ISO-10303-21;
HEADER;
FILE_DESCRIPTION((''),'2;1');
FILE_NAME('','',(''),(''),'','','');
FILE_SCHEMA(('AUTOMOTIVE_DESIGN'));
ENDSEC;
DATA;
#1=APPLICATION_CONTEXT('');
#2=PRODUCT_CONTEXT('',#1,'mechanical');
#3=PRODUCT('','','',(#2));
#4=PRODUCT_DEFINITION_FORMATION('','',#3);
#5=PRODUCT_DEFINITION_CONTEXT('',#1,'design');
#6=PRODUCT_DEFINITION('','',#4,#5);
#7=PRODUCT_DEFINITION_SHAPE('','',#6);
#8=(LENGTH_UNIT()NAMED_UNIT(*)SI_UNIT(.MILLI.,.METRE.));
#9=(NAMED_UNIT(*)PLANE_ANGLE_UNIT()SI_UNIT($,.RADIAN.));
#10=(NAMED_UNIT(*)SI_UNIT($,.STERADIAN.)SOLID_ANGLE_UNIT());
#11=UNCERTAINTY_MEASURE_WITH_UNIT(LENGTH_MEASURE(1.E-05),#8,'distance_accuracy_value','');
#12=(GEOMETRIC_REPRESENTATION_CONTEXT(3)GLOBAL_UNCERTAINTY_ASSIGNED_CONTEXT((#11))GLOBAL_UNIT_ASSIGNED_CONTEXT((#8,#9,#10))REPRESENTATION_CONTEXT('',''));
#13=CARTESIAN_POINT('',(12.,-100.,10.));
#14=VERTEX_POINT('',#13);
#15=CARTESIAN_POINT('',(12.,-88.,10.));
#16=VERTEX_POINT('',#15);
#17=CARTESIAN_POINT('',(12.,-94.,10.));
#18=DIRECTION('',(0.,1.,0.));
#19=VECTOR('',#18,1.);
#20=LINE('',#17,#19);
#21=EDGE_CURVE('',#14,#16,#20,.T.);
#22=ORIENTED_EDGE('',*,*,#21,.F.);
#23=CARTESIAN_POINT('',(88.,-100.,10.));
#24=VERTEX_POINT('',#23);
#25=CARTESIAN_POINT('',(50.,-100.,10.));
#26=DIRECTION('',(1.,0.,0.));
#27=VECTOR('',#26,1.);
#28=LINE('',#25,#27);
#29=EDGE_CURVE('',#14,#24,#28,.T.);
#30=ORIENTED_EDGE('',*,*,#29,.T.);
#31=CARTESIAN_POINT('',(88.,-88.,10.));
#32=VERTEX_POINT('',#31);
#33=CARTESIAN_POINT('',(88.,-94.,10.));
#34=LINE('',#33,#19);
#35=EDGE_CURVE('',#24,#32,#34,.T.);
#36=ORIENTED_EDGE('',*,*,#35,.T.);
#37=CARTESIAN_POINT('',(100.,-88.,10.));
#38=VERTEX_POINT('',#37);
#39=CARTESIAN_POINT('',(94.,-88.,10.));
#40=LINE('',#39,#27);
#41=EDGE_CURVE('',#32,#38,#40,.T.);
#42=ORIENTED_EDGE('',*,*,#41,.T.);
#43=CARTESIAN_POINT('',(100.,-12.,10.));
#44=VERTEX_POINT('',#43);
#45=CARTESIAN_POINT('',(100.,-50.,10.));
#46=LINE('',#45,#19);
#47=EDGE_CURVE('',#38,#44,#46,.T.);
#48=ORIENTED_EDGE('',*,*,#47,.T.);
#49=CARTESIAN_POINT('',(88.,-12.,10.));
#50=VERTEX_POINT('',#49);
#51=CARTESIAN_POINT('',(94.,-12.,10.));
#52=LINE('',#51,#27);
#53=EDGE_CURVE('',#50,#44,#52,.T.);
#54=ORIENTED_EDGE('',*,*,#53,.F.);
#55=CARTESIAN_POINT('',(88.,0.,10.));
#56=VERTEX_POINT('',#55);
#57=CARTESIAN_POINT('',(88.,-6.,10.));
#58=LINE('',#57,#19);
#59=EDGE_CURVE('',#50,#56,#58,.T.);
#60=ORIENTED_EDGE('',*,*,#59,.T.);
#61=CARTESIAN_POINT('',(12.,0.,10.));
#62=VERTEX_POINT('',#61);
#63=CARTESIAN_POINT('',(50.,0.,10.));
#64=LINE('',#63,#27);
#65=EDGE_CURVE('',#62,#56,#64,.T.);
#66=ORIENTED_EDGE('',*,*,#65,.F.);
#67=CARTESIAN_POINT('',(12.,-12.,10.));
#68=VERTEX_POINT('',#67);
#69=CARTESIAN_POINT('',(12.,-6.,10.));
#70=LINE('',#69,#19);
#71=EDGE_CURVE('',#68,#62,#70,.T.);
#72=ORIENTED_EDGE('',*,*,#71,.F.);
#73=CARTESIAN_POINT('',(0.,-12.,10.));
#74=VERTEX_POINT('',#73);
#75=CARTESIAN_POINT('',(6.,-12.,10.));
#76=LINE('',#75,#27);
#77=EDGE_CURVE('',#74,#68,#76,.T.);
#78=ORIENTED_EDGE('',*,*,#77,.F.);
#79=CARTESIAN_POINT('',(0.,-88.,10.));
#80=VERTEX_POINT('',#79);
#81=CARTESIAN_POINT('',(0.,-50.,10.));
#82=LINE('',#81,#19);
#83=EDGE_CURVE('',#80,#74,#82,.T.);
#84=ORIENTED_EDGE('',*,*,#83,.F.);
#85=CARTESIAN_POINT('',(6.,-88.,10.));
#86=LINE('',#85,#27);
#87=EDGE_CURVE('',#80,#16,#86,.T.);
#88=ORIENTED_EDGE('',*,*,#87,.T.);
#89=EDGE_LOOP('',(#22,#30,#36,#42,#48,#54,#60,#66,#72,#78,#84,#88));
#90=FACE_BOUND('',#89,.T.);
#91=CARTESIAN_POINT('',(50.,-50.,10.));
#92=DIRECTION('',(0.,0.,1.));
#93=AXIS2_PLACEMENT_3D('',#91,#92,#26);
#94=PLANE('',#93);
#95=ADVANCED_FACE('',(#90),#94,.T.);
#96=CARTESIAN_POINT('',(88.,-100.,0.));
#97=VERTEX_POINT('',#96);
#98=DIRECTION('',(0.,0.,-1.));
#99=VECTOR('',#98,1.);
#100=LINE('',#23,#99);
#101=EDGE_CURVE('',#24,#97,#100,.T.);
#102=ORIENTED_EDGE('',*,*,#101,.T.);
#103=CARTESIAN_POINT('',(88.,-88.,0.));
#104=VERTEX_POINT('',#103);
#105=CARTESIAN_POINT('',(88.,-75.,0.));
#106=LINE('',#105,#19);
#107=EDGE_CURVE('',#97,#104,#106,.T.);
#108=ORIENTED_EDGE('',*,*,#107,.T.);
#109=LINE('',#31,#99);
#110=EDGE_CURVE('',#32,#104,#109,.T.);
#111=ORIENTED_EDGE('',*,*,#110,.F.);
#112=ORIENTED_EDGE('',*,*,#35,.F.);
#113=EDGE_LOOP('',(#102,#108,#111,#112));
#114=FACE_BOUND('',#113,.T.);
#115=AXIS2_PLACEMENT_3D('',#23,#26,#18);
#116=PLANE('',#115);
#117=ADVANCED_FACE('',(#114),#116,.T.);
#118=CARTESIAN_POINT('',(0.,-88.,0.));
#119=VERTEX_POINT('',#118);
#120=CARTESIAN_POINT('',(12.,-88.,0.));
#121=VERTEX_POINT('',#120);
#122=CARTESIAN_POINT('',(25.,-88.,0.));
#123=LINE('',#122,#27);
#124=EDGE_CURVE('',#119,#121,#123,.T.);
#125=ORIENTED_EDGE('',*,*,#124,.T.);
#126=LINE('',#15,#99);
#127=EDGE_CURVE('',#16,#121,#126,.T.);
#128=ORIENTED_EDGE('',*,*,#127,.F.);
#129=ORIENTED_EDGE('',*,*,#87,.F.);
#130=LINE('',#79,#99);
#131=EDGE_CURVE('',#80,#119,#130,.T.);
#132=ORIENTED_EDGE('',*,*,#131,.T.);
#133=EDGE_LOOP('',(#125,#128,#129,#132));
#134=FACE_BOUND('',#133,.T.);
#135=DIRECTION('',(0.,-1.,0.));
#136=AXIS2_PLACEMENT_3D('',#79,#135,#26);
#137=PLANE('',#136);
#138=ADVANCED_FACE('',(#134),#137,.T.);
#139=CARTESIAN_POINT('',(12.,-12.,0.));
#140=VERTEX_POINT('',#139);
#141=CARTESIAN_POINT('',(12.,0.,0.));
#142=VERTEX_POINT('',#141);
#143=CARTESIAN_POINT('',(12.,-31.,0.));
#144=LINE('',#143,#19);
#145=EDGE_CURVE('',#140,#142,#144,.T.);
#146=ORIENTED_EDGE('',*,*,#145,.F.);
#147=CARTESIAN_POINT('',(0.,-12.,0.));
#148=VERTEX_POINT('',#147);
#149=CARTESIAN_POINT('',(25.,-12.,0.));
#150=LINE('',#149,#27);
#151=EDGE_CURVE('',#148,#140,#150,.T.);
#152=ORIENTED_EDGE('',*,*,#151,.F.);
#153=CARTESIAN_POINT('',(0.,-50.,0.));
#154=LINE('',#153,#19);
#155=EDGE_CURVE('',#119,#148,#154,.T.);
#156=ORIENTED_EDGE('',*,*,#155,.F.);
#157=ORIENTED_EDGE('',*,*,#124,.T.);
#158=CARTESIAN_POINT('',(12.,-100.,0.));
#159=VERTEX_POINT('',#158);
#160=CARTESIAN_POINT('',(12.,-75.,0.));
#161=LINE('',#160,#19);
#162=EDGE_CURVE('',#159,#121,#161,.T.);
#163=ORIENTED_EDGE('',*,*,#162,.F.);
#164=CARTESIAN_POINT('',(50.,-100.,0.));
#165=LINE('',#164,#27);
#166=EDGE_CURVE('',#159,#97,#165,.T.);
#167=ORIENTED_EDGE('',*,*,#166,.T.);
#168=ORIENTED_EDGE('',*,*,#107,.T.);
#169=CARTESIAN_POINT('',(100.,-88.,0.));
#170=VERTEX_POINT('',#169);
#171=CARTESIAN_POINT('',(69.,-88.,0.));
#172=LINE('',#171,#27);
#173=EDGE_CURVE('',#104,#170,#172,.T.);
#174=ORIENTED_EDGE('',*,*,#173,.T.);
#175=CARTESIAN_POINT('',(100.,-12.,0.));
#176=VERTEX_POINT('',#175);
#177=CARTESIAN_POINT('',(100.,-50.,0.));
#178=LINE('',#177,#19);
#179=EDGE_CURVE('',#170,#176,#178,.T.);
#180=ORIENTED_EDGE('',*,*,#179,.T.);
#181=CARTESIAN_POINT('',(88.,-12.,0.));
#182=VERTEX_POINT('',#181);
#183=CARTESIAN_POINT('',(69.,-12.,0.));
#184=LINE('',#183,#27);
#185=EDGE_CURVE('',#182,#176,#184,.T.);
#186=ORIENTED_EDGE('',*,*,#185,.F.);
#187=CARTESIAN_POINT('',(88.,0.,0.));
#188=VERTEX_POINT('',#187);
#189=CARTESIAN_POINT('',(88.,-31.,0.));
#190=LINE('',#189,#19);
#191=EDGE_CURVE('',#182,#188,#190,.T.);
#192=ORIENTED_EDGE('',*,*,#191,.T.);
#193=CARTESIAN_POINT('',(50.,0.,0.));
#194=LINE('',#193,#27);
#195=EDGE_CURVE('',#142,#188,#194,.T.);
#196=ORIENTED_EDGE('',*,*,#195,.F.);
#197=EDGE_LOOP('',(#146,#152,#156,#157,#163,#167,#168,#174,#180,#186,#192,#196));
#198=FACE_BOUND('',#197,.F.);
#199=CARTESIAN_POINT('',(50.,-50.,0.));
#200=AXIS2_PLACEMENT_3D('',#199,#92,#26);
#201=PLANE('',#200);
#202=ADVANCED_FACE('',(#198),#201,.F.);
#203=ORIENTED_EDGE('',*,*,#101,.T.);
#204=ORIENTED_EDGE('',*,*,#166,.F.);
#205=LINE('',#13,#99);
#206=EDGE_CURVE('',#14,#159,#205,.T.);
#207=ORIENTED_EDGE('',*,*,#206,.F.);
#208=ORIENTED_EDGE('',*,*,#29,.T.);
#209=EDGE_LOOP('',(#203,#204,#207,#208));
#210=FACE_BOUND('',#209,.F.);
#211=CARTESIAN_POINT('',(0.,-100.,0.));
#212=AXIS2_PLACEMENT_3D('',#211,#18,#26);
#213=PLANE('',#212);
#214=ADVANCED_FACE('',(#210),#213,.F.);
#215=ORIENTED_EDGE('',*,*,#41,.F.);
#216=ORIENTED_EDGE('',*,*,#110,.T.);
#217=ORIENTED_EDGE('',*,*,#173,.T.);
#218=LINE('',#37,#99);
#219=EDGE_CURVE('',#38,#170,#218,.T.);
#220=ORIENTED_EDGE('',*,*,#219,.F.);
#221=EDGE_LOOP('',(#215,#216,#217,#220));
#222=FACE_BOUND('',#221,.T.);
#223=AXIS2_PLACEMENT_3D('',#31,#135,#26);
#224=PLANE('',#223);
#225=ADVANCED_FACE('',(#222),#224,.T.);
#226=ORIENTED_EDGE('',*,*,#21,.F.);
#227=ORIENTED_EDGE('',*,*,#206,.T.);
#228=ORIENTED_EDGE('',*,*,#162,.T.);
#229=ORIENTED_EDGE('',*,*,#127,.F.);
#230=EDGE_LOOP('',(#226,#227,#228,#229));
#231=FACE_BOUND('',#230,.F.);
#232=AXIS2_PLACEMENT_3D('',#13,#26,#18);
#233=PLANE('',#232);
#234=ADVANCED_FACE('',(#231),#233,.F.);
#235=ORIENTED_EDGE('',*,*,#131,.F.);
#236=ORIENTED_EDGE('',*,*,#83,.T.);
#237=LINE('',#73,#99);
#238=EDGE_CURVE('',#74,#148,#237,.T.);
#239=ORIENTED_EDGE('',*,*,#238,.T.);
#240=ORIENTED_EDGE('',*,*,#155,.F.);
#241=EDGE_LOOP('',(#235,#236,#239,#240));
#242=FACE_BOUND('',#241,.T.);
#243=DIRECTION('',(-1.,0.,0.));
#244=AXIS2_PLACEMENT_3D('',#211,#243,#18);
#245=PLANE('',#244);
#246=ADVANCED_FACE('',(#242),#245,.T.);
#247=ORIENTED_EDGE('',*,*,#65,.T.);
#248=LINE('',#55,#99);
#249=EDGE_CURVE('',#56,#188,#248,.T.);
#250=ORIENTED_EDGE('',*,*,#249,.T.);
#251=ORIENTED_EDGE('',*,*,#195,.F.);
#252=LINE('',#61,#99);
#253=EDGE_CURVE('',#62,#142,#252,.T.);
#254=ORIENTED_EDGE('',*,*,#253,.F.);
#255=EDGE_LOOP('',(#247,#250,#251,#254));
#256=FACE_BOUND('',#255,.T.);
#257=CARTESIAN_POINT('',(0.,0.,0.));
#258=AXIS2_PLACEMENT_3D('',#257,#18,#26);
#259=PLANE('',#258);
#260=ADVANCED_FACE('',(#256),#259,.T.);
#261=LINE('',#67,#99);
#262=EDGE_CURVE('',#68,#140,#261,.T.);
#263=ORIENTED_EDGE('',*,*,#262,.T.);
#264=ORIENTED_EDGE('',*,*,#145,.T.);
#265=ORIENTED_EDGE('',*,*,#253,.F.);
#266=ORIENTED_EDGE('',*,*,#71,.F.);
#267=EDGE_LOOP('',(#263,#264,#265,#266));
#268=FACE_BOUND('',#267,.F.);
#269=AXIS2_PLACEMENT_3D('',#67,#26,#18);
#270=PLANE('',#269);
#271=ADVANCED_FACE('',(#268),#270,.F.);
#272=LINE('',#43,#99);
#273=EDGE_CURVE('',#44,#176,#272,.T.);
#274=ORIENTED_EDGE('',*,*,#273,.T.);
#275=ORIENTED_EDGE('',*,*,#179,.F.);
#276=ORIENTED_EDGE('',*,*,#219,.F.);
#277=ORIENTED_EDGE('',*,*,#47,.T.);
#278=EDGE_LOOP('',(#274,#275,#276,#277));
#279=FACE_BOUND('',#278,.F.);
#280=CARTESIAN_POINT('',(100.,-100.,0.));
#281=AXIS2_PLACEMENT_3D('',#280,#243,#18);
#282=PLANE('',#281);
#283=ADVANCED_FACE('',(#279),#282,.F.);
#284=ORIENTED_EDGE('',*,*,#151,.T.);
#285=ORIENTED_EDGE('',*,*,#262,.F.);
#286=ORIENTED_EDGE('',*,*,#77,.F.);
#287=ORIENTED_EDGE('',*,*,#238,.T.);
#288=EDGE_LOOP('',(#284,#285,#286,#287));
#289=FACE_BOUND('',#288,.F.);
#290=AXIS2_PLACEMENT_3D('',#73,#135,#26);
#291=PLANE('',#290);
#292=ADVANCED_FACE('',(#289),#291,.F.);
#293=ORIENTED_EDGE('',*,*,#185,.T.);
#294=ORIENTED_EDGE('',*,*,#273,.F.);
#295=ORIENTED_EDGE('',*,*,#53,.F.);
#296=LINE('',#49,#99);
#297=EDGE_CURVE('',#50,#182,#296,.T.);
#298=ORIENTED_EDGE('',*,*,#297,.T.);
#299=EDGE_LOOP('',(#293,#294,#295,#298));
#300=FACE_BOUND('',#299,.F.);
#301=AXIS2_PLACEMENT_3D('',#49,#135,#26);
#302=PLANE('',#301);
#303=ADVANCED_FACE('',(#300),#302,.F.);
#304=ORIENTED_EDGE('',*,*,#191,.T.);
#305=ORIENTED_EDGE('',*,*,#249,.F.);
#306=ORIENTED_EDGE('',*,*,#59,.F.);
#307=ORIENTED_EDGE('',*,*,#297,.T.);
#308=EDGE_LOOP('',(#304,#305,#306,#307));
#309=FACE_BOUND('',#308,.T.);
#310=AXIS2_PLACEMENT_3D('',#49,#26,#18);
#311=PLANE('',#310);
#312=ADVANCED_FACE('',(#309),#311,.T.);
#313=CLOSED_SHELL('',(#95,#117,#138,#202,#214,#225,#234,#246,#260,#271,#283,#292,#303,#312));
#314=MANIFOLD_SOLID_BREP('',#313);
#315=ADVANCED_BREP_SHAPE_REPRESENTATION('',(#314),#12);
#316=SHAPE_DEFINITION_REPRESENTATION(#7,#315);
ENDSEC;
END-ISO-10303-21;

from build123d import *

# Parameters (mm, degrees)
F0_W     = 500
F0_H     = 500
F1_DEPTH = 50
F2_W     = 60
F2_H     = 60
F3_DEPTH = 90
F4_SCALE = 0.2


with BuildPart() as f1:
    # F0 (on Top) → F1 (new body)
    with BuildSketch(Plane.XY):
        with Locations((250, -250)):
            Rectangle(F0_W, F0_H)
    extrude(amount=F1_DEPTH)

    # F2 (on face) → F3 (cut)
    with BuildSketch(Plane.XY.offset(50)):
        with Locations((470, -470)):
            Rectangle(F2_W, F2_H)
        with Locations((30, -30)):
            Rectangle(F2_W, F2_H)
        with Locations((30, -470)):
            Rectangle(F2_W, F2_H)
        with Locations((470, -30)):
            Rectangle(F2_W, F2_H)
    extrude(amount=-F3_DEPTH, mode=Mode.SUBTRACT)


with BuildPart() as f1_1:
    # F4: moved
    add(f1.part.scale(F4_SCALE))


solid = f1_1.part
